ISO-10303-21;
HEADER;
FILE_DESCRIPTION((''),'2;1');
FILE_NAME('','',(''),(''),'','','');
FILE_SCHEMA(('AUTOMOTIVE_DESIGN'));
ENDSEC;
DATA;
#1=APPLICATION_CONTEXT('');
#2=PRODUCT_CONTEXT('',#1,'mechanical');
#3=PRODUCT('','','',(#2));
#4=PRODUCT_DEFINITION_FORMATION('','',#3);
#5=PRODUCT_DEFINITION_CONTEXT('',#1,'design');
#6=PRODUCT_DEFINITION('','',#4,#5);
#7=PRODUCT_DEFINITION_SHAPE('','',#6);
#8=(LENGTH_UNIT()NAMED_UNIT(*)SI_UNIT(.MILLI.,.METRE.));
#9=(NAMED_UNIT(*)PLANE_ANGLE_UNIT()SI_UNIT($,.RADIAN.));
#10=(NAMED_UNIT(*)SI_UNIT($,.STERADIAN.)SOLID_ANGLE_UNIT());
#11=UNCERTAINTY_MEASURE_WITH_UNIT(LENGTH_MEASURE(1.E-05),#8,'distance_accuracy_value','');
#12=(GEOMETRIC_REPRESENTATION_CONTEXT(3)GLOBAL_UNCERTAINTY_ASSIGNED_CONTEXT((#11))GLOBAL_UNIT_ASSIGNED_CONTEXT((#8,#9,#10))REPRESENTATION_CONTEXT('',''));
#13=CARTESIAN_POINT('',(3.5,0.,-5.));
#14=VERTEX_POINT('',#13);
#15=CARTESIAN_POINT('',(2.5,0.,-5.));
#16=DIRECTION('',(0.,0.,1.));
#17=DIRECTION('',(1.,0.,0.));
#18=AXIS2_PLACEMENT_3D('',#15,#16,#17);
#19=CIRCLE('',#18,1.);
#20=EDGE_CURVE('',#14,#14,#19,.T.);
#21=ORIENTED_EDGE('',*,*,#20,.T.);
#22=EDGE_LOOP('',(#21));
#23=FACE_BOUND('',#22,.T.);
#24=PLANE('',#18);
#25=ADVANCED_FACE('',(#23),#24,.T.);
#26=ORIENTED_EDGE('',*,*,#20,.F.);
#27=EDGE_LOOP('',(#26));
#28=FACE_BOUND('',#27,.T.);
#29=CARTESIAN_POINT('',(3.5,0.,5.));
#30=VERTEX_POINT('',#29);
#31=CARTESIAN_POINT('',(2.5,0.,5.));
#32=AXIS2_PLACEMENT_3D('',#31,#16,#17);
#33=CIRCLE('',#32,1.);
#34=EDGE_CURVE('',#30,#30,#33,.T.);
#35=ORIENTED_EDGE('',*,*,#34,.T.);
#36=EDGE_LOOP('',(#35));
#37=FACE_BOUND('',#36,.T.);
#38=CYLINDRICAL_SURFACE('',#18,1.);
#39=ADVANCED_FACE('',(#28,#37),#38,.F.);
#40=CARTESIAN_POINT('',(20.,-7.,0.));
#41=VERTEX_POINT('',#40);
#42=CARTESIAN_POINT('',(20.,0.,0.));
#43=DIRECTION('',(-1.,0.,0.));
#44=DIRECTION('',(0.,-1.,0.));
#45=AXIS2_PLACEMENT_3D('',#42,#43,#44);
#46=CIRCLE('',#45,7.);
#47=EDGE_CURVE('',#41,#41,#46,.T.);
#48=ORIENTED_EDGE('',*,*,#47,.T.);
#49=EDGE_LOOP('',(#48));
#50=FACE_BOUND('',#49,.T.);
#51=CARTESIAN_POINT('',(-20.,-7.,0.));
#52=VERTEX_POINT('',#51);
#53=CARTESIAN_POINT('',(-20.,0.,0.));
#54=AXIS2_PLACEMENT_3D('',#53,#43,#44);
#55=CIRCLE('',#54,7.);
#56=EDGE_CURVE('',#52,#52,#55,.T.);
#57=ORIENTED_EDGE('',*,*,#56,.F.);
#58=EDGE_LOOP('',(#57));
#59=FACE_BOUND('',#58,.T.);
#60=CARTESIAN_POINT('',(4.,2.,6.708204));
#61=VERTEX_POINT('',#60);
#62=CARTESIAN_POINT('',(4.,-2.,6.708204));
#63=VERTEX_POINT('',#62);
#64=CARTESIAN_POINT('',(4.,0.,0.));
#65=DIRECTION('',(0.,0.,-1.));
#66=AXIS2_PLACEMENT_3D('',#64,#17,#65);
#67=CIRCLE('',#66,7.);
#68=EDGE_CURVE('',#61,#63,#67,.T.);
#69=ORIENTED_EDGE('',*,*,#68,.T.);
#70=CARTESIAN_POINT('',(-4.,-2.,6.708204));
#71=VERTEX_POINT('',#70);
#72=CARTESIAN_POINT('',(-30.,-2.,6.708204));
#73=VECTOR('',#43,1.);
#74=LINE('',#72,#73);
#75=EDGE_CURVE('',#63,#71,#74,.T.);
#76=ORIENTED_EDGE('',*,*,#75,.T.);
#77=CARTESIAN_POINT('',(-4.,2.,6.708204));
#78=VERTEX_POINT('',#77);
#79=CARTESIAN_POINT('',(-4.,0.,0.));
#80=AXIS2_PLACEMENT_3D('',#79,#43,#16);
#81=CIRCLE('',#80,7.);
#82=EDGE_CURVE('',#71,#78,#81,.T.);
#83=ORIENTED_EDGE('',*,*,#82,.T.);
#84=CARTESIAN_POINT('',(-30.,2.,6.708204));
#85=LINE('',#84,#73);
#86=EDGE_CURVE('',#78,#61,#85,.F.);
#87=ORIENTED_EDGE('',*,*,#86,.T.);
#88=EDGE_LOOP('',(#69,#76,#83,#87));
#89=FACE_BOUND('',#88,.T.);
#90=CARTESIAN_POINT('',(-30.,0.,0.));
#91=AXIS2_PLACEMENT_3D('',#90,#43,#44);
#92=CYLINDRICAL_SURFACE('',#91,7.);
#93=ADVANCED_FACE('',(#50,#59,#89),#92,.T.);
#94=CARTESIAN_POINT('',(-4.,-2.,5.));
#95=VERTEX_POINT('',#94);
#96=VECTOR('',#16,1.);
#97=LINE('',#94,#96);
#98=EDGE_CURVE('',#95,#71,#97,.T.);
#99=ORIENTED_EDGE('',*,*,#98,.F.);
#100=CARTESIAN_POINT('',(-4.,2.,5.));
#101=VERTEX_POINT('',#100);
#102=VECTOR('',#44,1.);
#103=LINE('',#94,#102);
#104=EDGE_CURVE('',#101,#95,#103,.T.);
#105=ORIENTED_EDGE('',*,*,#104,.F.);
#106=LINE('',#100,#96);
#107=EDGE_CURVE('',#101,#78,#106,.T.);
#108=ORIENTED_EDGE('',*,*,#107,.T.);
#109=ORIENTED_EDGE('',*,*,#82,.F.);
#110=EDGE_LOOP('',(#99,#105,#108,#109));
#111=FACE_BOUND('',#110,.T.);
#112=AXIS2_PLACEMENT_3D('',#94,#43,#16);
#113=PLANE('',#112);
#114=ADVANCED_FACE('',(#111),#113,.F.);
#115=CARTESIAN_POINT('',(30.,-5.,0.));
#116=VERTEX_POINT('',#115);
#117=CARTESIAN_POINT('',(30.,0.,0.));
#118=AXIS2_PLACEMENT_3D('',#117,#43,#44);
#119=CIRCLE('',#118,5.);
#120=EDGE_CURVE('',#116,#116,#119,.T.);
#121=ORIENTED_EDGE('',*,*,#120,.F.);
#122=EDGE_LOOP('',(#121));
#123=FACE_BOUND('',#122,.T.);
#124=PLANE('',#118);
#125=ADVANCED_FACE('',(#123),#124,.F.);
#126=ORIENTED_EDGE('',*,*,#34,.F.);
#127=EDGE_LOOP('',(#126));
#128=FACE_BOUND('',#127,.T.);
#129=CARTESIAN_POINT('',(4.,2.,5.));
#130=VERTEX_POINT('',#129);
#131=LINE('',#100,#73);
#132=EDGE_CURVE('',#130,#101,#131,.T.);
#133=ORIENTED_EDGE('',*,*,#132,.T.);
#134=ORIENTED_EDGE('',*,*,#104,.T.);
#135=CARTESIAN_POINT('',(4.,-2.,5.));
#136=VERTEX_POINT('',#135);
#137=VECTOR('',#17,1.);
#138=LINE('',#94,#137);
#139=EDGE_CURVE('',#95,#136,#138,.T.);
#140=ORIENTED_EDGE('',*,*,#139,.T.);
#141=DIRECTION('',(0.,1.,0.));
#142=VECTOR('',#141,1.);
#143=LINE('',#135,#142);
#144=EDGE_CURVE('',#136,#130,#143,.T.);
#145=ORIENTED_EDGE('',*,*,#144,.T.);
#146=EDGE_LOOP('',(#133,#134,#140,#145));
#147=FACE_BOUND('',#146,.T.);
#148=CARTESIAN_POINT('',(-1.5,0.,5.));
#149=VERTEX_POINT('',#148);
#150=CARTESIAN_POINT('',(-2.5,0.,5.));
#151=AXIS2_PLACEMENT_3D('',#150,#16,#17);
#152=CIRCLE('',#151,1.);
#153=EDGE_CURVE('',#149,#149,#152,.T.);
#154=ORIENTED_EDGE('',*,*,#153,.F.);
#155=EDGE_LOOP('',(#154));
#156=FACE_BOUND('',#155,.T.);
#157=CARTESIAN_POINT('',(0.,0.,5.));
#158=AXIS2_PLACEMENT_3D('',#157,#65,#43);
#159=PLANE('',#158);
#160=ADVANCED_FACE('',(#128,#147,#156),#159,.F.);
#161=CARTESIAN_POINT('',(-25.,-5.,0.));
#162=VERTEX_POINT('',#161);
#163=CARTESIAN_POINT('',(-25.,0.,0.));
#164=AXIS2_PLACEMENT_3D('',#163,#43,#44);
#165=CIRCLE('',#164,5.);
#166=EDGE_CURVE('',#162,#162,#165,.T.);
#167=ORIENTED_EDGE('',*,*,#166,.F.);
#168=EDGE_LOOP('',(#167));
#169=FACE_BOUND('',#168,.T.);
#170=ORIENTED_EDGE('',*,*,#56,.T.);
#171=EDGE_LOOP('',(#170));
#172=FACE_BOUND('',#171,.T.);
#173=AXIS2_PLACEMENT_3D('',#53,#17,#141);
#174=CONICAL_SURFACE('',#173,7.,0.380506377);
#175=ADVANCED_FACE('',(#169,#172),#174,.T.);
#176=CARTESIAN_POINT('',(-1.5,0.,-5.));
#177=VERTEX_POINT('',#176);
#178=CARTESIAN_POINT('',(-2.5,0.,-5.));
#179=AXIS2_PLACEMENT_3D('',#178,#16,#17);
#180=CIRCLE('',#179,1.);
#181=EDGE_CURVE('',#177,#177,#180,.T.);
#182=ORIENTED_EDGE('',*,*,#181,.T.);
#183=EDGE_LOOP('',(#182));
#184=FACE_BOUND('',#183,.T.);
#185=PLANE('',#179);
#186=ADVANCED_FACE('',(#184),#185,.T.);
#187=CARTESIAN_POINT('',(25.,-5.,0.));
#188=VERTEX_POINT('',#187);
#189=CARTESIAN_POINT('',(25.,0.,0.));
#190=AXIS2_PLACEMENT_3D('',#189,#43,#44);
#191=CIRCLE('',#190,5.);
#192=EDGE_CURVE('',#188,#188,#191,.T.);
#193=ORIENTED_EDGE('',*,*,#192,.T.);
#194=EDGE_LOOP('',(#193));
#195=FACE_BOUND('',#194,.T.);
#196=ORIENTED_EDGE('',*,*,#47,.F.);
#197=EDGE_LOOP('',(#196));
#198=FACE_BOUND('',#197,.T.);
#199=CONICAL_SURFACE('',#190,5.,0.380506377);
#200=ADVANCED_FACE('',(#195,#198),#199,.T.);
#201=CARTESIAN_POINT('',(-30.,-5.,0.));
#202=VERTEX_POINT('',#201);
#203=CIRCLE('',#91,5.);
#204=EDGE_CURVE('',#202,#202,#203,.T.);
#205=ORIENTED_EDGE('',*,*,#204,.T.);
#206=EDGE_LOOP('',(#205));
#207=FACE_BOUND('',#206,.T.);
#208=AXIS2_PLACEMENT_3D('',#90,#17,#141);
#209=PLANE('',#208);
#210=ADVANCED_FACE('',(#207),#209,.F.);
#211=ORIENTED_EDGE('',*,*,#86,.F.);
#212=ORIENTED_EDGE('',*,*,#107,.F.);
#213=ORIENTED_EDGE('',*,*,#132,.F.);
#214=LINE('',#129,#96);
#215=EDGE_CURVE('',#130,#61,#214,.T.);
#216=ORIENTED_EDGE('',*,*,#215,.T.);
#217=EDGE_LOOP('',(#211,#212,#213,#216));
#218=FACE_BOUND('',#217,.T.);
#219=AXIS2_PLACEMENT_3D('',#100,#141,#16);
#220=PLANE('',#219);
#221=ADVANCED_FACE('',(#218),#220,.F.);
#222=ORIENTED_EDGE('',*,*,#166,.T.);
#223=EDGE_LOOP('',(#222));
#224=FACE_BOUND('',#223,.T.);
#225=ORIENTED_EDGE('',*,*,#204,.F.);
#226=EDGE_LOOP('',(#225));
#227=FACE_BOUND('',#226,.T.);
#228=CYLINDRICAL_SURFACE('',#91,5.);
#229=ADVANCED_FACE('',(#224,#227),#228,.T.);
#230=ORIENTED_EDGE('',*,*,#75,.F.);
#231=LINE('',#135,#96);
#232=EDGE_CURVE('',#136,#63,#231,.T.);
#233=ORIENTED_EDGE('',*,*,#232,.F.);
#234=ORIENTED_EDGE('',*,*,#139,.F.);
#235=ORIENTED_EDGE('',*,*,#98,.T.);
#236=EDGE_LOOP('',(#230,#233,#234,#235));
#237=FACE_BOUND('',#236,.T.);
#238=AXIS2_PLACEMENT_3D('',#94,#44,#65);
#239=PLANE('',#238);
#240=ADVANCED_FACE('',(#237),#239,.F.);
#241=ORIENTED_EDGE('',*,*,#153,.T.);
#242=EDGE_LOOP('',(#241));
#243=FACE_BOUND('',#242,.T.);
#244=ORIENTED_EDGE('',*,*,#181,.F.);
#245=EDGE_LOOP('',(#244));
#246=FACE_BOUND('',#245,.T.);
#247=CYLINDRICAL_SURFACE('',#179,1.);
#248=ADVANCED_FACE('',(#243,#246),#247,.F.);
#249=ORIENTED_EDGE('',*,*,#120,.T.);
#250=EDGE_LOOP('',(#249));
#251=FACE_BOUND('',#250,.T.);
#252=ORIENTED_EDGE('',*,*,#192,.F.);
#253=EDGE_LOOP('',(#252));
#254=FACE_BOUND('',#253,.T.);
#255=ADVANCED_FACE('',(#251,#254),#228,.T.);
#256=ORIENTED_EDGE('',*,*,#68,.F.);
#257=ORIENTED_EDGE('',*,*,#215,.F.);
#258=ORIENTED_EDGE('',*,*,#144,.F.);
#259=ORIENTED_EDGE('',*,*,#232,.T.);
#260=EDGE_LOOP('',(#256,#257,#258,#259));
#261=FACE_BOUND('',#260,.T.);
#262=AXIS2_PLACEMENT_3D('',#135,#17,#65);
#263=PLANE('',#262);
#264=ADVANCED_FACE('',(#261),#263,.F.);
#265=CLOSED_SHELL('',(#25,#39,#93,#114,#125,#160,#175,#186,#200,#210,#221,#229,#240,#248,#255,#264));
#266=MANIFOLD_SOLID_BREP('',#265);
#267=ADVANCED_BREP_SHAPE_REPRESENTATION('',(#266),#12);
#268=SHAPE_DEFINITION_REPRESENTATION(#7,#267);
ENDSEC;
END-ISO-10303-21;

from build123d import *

# Parameters (mm, degrees)
ESQUISSE2_W             = 8
ESQUISSE2_H             = 4
ENL_V_MAT_EXTRU_2_DEPTH = 2
ESQUISSE3_R             = 1
ENL_V_MAT_EXTRU_3_DEPTH = 10


with BuildPart() as part:
    # Esquisse1 → Révolution1 (revolve)
    with BuildSketch(Plane.XY, mode=Mode.PRIVATE) as r_volution1_sk:
        Polygon((-30, 0), (30, 0), (30, 5), (25, 5), (20, 7), (-20, 7), (-25, 5), (-30, 5), align=None)
    revolve(r_volution1_sk.sketch.rotate(Axis((-30, 0, 0), (1, 0, 0)), 180), axis=Axis((-30, 0, 0), (1, 0, 0)))

    # Esquisse2 → Enlèv. mat.-Extru.2 (cut)
    with BuildSketch(Plane.XY.offset(7)):
        Rectangle(ESQUISSE2_W, ESQUISSE2_H)
    extrude(amount=-ENL_V_MAT_EXTRU_2_DEPTH, mode=Mode.SUBTRACT)

    # Esquisse3 → Enlèv. mat.-Extru.3 (cut)
    with BuildSketch(Plane.XY.offset(5)):
        with Locations((2.5, 0)):
            Circle(ESQUISSE3_R)
        with Locations((-2.5, 0)):
            Circle(ESQUISSE3_R)
    extrude(amount=-ENL_V_MAT_EXTRU_3_DEPTH, mode=Mode.SUBTRACT)


solid = part.part
